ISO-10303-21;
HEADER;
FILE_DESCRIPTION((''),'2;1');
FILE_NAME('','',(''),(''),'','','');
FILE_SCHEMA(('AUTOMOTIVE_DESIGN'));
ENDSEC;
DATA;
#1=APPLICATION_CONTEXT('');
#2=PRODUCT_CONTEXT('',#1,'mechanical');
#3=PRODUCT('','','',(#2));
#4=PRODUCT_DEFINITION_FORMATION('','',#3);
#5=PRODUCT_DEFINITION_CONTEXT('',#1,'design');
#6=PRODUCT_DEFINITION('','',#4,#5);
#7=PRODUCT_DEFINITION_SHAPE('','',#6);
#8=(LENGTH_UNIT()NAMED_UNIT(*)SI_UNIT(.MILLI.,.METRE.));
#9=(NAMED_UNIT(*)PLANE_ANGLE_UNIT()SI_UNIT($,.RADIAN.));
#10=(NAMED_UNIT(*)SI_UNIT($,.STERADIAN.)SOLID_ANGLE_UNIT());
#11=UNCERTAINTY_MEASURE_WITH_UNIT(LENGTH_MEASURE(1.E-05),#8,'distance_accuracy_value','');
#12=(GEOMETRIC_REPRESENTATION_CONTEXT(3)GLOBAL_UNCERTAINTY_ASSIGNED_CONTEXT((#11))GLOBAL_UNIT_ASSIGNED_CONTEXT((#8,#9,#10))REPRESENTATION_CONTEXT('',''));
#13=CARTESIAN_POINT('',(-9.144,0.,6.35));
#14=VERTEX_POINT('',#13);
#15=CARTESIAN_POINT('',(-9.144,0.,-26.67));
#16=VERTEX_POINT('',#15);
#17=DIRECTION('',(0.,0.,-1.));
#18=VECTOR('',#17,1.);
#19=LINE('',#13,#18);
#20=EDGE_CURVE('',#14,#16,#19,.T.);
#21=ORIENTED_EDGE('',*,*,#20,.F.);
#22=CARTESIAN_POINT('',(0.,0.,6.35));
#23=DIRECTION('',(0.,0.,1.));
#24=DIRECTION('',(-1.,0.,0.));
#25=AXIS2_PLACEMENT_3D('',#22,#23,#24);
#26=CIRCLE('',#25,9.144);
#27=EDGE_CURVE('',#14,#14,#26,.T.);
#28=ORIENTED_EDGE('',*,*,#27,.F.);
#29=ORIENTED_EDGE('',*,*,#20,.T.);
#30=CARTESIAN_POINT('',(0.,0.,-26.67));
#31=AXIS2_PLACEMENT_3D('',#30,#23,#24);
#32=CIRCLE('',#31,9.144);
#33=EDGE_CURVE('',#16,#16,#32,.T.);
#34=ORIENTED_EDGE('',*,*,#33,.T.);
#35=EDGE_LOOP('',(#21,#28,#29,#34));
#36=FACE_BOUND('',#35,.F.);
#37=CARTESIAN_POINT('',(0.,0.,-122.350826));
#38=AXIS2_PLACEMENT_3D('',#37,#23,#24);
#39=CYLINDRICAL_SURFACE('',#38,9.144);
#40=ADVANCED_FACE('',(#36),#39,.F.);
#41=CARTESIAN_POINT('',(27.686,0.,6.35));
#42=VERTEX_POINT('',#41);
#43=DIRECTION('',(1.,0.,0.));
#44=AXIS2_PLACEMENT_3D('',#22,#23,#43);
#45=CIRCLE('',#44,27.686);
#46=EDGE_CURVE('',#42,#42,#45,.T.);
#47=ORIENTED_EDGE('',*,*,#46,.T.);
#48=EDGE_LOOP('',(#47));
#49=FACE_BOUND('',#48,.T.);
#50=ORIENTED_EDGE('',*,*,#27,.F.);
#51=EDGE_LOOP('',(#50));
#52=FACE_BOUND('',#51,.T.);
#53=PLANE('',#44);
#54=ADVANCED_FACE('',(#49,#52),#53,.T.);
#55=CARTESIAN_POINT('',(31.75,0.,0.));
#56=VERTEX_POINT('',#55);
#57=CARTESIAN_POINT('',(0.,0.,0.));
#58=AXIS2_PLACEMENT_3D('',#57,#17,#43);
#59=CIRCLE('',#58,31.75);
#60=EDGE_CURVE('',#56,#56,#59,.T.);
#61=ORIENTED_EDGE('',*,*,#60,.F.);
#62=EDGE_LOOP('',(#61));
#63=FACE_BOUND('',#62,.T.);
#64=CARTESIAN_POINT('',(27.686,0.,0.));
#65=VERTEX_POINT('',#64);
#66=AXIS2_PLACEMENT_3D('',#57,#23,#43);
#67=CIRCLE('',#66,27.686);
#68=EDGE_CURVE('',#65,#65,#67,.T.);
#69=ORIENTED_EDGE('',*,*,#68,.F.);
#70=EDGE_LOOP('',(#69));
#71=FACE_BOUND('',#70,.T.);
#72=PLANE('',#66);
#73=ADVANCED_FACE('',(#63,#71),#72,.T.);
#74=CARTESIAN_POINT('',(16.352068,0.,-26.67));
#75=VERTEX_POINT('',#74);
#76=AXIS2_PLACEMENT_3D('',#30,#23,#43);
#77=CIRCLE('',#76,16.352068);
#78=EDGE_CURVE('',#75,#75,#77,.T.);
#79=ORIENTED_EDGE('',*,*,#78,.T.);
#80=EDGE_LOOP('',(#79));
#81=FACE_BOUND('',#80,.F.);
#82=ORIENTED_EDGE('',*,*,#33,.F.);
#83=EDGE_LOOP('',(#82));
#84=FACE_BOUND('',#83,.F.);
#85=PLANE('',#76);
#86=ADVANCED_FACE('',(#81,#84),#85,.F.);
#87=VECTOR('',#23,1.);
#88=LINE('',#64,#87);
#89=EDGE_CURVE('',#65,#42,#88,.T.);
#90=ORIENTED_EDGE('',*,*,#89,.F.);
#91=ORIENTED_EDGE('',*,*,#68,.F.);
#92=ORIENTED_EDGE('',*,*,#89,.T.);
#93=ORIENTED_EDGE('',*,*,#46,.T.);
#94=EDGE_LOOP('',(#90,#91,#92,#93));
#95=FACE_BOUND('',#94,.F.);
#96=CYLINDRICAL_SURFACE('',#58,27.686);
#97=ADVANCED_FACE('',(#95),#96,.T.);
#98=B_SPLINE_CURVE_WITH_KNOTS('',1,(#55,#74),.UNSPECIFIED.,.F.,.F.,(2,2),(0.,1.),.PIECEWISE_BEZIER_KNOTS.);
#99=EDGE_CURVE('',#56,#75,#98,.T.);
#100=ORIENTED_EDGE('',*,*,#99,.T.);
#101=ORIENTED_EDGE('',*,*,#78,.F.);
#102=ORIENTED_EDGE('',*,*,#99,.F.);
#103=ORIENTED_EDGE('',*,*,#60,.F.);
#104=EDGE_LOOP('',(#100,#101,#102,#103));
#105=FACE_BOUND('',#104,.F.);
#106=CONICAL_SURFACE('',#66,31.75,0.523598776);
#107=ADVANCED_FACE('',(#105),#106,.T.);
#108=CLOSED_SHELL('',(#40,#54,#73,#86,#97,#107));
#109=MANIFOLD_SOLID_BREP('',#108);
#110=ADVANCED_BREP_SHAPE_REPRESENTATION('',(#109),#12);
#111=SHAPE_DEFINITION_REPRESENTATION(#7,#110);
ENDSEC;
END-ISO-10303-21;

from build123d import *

# Parameters (mm, degrees)
F0_R     = 27.686
F1_DEPTH = 6.35
F2_D     = 18.288
F3_R     = 31.75
F5_DEPTH = 26.67
F5_TAPER = 30
F7_D     = 18.288


with BuildPart() as f1:
    # F0 (on Top) → F1 (new body)
    with BuildSketch(Plane.XY):
        Circle(F0_R)
    extrude(amount=F1_DEPTH)

    # F2 (through all)
    with Locations(Plane(origin=(0, 0, 0), x_dir=(1, 0, 0), z_dir=(0, 0, -1))):
        with Locations((0, 0)):
            Hole(F2_D / 2)

    # F3 (on Top) → F5 (join)
    with BuildSketch(Plane.XY):
        Circle(F3_R)
    extrude(amount=-F5_DEPTH, taper=F5_TAPER)

    # F7 (through all)
    with Locations(Plane(origin=(0, 0, -26.67), x_dir=(1, 0, 0), z_dir=(0, 0, -1))):
        with Locations((0, 0)):
            Hole(F7_D / 2)


solid = f1.part
